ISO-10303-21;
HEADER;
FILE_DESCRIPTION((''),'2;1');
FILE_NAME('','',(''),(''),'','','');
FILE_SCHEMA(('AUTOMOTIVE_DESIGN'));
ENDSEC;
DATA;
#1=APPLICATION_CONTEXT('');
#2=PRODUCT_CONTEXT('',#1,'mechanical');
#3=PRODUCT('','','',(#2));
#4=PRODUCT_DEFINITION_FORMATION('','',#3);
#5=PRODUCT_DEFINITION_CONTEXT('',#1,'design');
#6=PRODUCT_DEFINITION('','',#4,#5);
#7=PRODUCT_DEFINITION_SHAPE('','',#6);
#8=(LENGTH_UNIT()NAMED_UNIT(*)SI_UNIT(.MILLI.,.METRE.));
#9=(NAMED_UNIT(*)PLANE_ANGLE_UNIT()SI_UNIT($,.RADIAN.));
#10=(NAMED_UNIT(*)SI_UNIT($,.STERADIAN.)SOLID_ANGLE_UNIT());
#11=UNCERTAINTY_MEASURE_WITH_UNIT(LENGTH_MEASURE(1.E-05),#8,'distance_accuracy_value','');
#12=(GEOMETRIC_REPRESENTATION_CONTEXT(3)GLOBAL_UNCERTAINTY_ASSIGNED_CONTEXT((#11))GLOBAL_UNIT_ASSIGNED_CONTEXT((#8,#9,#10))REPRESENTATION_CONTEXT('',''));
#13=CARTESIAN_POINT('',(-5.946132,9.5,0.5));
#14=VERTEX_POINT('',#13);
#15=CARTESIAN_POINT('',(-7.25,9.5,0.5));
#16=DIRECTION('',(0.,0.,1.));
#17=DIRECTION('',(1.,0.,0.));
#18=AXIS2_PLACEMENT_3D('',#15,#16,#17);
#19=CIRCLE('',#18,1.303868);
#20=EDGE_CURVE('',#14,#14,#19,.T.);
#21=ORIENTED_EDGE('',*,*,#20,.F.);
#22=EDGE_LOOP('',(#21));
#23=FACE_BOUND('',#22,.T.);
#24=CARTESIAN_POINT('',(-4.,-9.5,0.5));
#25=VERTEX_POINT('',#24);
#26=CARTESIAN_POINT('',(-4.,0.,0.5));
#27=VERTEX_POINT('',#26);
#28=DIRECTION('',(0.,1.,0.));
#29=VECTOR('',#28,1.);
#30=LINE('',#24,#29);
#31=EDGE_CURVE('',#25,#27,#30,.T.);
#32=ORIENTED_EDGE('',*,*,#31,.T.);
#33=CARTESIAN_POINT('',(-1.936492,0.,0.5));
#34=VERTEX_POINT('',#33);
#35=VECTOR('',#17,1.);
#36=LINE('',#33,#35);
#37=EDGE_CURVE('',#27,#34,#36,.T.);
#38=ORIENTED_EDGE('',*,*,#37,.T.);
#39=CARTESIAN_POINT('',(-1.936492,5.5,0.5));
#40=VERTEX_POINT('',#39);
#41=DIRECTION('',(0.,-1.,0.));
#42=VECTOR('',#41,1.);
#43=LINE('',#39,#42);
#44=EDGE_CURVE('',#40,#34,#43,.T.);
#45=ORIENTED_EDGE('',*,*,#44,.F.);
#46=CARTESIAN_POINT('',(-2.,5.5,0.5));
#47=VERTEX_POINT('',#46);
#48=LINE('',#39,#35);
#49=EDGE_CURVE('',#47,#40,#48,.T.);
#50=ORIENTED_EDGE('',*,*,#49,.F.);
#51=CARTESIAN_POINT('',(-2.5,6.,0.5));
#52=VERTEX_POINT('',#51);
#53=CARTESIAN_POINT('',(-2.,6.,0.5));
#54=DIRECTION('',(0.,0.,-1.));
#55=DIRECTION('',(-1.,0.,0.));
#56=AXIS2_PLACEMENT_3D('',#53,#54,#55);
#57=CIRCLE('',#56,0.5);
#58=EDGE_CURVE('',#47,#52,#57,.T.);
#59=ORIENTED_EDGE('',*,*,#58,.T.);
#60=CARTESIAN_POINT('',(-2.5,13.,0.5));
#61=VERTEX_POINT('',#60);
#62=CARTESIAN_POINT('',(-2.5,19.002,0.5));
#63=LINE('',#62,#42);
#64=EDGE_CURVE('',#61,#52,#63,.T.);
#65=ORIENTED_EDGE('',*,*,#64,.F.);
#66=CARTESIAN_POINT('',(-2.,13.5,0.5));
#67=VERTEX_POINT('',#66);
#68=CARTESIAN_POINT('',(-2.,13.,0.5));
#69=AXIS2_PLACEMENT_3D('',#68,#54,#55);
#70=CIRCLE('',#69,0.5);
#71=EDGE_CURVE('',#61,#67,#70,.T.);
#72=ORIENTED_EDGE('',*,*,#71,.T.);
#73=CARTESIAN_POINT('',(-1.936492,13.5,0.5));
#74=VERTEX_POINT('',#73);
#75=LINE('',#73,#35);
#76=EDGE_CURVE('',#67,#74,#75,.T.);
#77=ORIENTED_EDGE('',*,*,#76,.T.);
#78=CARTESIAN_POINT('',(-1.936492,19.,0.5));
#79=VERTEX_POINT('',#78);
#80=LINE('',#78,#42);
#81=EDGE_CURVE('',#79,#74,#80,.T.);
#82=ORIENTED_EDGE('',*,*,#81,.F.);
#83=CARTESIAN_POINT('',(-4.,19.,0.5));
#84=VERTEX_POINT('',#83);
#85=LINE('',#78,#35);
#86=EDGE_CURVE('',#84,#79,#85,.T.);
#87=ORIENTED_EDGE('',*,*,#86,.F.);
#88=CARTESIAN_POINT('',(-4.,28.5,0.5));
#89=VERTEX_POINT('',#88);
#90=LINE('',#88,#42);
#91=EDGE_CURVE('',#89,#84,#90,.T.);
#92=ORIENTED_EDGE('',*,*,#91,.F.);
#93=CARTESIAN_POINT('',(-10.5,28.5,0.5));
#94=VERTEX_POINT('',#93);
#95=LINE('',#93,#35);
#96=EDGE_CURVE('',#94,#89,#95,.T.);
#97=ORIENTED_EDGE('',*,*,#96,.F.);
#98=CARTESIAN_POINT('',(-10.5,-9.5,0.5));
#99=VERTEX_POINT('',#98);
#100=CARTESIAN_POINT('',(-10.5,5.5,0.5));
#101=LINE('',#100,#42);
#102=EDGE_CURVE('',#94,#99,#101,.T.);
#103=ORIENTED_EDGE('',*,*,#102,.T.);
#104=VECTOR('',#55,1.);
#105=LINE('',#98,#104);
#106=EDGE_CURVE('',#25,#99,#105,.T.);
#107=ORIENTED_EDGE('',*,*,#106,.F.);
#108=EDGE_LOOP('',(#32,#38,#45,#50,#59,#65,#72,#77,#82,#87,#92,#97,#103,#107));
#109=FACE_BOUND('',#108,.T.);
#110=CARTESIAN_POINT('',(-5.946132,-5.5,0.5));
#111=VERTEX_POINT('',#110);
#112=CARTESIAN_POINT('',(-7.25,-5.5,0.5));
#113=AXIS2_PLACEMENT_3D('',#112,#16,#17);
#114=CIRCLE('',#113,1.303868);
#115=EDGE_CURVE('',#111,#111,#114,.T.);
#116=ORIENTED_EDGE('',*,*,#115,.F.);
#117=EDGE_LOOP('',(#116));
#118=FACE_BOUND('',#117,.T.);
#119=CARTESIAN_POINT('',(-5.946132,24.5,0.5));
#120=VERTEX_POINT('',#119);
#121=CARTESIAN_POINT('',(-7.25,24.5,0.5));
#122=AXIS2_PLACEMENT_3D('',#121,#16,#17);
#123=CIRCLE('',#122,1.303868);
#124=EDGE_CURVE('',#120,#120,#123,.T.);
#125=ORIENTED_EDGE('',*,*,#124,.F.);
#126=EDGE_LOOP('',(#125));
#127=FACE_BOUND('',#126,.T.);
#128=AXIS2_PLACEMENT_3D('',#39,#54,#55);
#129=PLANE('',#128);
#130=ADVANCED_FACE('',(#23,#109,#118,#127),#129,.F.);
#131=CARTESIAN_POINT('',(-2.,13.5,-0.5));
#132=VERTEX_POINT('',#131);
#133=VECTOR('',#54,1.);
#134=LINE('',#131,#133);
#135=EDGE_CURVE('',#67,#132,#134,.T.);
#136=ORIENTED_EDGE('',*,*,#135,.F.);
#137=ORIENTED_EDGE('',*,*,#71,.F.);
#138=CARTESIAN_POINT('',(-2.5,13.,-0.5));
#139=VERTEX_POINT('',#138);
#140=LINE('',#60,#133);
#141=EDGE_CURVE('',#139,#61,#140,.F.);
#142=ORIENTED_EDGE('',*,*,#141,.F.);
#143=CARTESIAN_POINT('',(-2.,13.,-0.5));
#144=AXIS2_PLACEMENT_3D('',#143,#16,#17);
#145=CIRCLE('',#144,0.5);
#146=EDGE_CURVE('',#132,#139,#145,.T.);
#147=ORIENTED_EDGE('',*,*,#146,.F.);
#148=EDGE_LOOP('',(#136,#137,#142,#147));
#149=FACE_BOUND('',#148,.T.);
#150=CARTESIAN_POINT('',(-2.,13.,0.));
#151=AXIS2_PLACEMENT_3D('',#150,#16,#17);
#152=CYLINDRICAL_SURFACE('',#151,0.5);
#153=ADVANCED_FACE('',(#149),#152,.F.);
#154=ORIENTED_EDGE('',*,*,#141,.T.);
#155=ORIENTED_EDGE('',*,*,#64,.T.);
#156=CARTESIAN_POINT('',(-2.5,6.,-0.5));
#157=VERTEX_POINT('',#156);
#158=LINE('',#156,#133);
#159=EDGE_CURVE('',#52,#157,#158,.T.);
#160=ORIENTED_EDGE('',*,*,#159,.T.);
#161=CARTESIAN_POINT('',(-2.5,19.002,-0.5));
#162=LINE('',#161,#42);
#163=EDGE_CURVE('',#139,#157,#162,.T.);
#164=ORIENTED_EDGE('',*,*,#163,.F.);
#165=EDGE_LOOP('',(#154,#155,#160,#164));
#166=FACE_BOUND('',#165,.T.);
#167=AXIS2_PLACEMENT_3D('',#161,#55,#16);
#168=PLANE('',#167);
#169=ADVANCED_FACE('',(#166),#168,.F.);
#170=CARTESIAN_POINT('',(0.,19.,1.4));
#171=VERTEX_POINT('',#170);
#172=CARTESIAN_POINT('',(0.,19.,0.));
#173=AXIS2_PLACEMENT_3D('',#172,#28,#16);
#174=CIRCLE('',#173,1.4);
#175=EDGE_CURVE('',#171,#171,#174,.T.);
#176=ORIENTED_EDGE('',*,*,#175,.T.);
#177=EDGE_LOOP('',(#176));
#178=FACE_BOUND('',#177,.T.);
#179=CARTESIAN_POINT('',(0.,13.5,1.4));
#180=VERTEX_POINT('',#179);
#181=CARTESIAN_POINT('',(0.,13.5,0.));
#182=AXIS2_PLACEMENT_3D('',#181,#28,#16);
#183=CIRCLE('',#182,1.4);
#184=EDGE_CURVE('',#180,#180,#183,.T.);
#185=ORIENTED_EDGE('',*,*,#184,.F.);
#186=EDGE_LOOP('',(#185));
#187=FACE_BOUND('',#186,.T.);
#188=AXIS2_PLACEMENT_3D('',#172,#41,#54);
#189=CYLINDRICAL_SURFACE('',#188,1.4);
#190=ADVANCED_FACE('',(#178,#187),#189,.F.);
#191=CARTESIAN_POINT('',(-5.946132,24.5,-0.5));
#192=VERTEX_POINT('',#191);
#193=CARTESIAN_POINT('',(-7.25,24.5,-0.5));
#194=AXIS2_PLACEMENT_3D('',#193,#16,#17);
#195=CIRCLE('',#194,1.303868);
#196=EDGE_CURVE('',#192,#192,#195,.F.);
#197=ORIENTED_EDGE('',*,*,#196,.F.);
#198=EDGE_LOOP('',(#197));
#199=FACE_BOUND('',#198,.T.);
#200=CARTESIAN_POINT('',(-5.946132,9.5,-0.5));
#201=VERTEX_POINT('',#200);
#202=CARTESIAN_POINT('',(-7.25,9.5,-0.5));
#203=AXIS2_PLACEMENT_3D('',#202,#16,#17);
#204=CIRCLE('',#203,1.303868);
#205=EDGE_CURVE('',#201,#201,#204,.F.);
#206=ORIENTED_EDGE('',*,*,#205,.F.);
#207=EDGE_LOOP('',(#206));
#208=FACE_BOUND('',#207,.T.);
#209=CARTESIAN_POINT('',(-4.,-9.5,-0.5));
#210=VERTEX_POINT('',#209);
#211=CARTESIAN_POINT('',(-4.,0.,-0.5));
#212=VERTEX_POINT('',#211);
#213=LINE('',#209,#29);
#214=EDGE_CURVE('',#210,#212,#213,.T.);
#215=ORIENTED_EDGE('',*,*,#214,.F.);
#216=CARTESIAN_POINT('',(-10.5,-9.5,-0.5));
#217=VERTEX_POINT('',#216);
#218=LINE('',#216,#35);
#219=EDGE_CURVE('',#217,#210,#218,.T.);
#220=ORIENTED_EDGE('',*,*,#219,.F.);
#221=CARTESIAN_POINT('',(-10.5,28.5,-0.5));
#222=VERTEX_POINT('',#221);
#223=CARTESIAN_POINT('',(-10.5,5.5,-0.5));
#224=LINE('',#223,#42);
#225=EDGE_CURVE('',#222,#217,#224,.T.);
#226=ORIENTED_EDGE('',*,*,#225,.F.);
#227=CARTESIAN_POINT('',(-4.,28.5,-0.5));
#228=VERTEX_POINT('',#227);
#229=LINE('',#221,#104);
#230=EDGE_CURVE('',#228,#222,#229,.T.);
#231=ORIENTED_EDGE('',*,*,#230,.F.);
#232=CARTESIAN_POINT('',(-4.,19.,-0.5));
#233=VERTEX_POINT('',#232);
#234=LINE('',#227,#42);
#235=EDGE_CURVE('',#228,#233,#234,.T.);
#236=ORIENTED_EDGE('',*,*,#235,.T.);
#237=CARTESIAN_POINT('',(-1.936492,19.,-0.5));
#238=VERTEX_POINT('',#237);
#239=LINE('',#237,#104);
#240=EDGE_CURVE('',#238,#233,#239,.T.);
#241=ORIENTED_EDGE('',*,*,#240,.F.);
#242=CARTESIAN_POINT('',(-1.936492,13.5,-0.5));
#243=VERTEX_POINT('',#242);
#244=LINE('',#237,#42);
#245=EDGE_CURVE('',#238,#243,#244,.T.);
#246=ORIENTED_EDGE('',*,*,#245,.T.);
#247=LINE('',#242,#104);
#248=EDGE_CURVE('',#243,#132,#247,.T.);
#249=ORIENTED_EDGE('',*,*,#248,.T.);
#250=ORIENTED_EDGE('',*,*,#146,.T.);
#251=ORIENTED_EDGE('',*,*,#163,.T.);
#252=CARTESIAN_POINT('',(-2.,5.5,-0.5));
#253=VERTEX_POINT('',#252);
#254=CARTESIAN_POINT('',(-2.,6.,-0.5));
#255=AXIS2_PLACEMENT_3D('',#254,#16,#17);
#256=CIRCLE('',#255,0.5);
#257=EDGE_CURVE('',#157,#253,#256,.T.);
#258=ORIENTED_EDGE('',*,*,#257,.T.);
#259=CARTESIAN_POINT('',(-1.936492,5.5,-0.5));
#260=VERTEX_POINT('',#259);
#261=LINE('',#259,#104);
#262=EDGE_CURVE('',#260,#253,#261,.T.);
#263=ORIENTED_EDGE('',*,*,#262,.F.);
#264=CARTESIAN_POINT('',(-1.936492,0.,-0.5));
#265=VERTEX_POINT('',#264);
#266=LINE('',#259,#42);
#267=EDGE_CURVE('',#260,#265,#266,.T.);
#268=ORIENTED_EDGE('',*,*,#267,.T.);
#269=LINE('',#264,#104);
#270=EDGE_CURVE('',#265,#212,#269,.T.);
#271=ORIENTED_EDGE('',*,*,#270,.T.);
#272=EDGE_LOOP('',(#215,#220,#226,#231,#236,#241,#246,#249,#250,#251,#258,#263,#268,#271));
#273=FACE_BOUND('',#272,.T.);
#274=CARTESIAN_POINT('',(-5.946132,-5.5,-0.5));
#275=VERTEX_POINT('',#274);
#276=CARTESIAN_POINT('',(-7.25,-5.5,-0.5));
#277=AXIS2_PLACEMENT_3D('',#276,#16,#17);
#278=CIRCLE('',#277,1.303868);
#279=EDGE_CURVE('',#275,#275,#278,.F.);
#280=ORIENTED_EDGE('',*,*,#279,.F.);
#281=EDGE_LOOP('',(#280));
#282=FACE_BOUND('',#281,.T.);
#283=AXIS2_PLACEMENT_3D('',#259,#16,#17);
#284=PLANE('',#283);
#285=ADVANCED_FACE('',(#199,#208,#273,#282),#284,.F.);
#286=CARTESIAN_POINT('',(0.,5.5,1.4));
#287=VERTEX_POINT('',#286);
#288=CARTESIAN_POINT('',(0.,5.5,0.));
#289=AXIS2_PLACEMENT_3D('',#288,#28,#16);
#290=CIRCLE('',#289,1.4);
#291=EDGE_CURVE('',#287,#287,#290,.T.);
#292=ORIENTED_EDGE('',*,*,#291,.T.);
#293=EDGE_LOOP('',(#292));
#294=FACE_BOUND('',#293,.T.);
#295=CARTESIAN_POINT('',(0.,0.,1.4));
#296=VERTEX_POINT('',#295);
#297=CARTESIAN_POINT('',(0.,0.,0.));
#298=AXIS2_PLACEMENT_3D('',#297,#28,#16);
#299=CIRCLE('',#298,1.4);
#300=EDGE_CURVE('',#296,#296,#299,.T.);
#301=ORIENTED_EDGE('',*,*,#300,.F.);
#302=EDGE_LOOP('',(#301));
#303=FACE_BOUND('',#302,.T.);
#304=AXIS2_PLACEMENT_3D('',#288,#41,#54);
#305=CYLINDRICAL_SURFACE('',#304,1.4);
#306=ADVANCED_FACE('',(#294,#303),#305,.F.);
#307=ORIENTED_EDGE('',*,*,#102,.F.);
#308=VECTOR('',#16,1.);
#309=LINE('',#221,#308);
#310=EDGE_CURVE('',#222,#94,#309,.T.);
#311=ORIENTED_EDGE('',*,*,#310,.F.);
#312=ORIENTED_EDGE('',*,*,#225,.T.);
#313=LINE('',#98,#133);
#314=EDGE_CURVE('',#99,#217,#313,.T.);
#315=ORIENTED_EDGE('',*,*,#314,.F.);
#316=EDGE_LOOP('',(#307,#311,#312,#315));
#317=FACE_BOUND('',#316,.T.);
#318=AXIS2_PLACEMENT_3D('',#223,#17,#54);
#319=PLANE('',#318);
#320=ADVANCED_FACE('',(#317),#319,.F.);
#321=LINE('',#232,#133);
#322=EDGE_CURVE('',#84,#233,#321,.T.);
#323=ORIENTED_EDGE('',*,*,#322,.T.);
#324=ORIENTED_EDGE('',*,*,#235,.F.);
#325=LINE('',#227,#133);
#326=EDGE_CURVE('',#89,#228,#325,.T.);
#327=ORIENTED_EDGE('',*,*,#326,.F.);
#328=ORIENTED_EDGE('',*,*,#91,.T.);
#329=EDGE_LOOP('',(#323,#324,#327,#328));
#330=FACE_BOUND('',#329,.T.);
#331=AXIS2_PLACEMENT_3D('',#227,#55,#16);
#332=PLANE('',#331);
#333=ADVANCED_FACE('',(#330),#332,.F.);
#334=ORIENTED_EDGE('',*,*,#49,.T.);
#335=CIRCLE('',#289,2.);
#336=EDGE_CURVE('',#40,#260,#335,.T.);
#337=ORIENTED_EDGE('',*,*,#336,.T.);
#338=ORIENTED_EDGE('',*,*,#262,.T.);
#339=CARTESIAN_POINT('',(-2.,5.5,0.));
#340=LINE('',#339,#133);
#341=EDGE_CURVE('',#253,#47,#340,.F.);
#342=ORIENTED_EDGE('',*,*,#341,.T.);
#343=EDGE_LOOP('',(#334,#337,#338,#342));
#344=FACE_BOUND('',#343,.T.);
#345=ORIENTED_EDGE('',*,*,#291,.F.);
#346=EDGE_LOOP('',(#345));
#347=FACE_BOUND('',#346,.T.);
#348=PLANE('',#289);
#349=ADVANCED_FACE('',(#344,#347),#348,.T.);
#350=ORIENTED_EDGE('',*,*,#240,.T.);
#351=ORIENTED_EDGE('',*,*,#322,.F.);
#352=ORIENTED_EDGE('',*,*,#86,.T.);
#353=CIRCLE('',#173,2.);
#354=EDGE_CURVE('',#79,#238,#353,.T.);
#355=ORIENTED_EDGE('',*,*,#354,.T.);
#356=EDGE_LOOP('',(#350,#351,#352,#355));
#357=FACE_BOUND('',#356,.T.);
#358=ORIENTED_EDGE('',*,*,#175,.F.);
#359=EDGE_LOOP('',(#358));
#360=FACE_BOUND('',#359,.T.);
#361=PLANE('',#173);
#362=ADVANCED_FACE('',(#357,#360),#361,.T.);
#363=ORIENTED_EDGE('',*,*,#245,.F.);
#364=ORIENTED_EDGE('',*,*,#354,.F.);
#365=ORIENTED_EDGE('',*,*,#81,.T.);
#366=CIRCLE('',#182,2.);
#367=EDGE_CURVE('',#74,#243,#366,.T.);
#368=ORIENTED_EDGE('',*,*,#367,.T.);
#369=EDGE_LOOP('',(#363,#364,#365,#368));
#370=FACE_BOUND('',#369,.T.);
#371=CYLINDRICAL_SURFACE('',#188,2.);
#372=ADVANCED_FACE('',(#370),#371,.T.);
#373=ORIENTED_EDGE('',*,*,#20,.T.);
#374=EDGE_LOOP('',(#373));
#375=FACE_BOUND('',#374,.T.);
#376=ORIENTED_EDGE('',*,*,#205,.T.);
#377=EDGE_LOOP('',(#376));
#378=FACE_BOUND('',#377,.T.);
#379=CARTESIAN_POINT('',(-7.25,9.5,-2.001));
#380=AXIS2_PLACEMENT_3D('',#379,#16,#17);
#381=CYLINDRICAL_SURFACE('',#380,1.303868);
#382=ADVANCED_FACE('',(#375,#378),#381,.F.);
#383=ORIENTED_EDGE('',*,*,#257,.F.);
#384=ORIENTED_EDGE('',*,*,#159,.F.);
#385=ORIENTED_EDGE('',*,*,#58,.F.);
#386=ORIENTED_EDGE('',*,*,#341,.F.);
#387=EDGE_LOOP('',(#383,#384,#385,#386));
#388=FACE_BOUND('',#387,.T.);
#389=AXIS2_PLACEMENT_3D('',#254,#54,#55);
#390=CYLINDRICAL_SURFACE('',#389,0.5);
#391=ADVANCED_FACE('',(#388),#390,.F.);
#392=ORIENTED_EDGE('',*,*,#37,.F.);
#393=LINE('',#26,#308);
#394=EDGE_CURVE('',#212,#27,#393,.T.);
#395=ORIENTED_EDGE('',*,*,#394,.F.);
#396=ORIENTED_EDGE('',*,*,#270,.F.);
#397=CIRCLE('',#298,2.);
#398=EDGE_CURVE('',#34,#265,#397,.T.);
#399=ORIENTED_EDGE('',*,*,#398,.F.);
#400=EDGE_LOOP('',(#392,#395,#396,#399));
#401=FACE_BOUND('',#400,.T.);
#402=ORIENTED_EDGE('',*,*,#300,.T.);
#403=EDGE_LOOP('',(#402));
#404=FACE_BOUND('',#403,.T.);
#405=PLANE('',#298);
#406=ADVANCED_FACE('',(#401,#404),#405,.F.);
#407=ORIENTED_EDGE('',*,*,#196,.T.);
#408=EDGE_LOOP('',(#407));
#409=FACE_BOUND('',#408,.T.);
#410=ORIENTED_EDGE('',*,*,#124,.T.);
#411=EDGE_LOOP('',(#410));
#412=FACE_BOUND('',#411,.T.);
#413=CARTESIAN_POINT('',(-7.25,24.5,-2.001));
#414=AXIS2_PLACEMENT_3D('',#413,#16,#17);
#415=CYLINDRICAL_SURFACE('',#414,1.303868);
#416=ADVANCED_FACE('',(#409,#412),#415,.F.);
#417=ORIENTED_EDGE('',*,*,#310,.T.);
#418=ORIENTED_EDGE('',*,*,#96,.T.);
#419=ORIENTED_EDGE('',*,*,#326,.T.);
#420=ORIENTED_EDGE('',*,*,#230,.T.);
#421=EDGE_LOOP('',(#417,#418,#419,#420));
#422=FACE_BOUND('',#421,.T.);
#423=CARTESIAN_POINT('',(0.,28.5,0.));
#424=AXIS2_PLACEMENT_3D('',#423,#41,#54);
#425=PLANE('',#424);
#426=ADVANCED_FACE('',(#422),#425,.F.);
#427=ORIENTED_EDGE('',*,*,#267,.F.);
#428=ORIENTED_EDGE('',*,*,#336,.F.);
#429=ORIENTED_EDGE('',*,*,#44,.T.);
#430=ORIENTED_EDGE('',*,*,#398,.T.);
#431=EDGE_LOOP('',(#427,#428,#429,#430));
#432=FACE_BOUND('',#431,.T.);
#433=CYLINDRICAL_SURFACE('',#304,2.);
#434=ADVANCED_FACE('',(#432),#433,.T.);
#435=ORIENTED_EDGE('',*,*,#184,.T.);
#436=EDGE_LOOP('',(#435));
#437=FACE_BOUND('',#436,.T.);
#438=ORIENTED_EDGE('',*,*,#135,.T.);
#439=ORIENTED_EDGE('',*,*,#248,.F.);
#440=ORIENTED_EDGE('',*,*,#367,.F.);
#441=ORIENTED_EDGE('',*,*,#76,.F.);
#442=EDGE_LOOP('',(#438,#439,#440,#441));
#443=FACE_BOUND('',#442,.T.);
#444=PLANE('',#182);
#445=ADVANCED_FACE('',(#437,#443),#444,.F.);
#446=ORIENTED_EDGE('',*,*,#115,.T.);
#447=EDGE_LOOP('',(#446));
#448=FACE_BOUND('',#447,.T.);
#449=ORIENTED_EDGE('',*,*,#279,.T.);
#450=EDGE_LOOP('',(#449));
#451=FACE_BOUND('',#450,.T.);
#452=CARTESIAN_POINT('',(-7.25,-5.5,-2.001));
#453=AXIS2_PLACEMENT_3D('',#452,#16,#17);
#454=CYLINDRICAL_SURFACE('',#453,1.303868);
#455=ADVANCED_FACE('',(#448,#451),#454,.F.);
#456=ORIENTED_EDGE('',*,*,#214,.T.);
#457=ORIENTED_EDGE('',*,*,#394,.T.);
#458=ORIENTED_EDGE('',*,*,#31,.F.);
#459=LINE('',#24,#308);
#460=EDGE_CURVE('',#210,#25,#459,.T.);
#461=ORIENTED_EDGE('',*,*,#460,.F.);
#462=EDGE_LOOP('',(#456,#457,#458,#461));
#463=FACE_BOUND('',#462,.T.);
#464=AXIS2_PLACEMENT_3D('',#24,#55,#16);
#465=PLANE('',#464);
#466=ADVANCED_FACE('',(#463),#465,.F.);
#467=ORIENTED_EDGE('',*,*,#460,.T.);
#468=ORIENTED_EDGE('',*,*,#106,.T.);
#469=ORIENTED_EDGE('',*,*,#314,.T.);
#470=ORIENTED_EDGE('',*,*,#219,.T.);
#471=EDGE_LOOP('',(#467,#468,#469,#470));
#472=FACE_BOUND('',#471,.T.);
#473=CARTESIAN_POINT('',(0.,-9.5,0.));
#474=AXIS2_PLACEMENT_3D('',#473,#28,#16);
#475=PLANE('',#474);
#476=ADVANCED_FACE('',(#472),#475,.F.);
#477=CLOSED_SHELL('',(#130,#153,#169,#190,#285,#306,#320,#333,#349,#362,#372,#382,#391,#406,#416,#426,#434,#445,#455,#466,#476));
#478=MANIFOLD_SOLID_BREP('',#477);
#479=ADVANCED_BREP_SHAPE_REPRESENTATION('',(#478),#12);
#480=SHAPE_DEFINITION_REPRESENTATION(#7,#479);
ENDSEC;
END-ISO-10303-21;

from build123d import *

# Parameters (mm, degrees)
SKETCH1_R           = 1.4
BOSS_EXTRUDE1_DEPTH = 5.5
SKETCH2_R           = 1.4
BOSS_EXTRUDE2_DEPTH = 5.5
SKETCH3_W           = 8
SKETCH3_H           = 1
BOSS_EXTRUDE3_DEPTH = 13.5
SKETCH4_W           = 6.5
SKETCH4_H           = 1
BOSS_EXTRUDE4_DEPTH = 9.5
SKETCH5_W           = 6.5
SKETCH5_H           = 1
BOSS_EXTRUDE5_DEPTH = 9.5
FILLET1_R           = 0.5
CUT_EXTRUDE1_REACH  = 4.5
SKETCH6_R           = 1.303868107


with BuildPart() as part:
    # Sketch1 → Boss-Extrude1 (new body)
    with BuildSketch(Plane(origin=(0, 0, 0), x_dir=(1, 0, 0), z_dir=(0, 1, 0))):
        with BuildLine():
            Line((-1.936491673, 0.5), (-10.5, 0.5))
            Line((-10.5, 0.5), (-10.5, -0.5))
            Line((-10.5, -0.5), (-1.936491673, -0.5))
            ThreePointArc((-1.936491673, -0.5), (2, 0), (-1.936491673, 0.5))
        make_face()
        Circle(SKETCH1_R, mode=Mode.SUBTRACT)
    extrude(amount=BOSS_EXTRUDE1_DEPTH)



with BuildPart() as body_2:
    # Sketch2 → Boss-Extrude2 (new body)
    with BuildSketch(Plane(origin=(0, 13.5, 0), x_dir=(1, 0, 0), z_dir=(0, 1, 0))):
        with BuildLine():
            Line((-1.936491673, 0.5), (-10.5, 0.5))
            Line((-10.5, 0.5), (-10.5, -0.5))
            Line((-10.5, -0.5), (-1.936491673, -0.5))
            ThreePointArc((-1.936491673, -0.5), (2, 0), (-1.936491673, 0.5))
        make_face()
        Circle(SKETCH2_R, mode=Mode.SUBTRACT)
    extrude(amount=BOSS_EXTRUDE2_DEPTH)


with BuildPart() as part_1:
    add(part.part)

    add(body_2.part)  # Boss-Extrude3 merges body 2
    # Sketch3 → Boss-Extrude3 (add)
    with BuildSketch(Plane(origin=(0, 5.5, 0), x_dir=(1, 0, 0), z_dir=(0, 1, 0))):
        with Locations((-6.5, 0)):
            Rectangle(SKETCH3_W, SKETCH3_H)
    extrude(amount=BOSS_EXTRUDE3_DEPTH)

    # Sketch4 → Boss-Extrude4 (add)
    with BuildSketch(Plane(origin=(0, 19, 0), x_dir=(1, 0, 0), z_dir=(0, 1, 0))):
        with Locations((-7.25, 0)):
            Rectangle(SKETCH4_W, SKETCH4_H)
    extrude(amount=BOSS_EXTRUDE4_DEPTH)

    # Sketch5 → Boss-Extrude5 (add)
    with BuildSketch(Plane.XZ):
        with Locations((-7.25, 0)):
            Rectangle(SKETCH5_W, SKETCH5_H)
    extrude(amount=BOSS_EXTRUDE5_DEPTH)

    # Fillet1
    fillet1_edges = [part_1.edges().sort_by_distance(p)[0] for p in [
        (-2.5, 13.5, 0),
        (-2.5, 5.5, 0),
    ]]
    fillet(fillet1_edges, radius=FILLET1_R)

    # Sketch6 → Cut-Extrude1 (cut, up to next)
    with BuildSketch(Plane.XY.offset(0.5), mode=Mode.PRIVATE) as cut_extrude1_sk1:
        with Locations((-7.25, -5.5)):
            Circle(SKETCH6_R)
    cut_extrude1_tool1 = extrude(cut_extrude1_sk1.sketch, amount=-CUT_EXTRUDE1_REACH, mode=Mode.PRIVATE) & part_1.part
    add(cut_extrude1_tool1.solids().sort_by_distance((-7.25, -5.5, 0.5))[0], mode=Mode.SUBTRACT)
    # Sketch6 → Cut-Extrude1 (cut, up to next)
    with BuildSketch(Plane.XY.offset(0.5), mode=Mode.PRIVATE) as cut_extrude1_sk2:
        with Locations((-7.25, 9.5)):
            Circle(SKETCH6_R)
    cut_extrude1_tool2 = extrude(cut_extrude1_sk2.sketch, amount=-CUT_EXTRUDE1_REACH, mode=Mode.PRIVATE) & part_1.part
    add(cut_extrude1_tool2.solids().sort_by_distance((-7.25, 9.5, 0.5))[0], mode=Mode.SUBTRACT)
    # Sketch6 → Cut-Extrude1 (cut, up to next)
    with BuildSketch(Plane.XY.offset(0.5), mode=Mode.PRIVATE) as cut_extrude1_sk3:
        with Locations((-7.25, 24.5)):
            Circle(SKETCH6_R)
    cut_extrude1_tool3 = extrude(cut_extrude1_sk3.sketch, amount=-CUT_EXTRUDE1_REACH, mode=Mode.PRIVATE) & part_1.part
    add(cut_extrude1_tool3.solids().sort_by_distance((-7.25, 24.5, 0.5))[0], mode=Mode.SUBTRACT)


solid = part_1.part
